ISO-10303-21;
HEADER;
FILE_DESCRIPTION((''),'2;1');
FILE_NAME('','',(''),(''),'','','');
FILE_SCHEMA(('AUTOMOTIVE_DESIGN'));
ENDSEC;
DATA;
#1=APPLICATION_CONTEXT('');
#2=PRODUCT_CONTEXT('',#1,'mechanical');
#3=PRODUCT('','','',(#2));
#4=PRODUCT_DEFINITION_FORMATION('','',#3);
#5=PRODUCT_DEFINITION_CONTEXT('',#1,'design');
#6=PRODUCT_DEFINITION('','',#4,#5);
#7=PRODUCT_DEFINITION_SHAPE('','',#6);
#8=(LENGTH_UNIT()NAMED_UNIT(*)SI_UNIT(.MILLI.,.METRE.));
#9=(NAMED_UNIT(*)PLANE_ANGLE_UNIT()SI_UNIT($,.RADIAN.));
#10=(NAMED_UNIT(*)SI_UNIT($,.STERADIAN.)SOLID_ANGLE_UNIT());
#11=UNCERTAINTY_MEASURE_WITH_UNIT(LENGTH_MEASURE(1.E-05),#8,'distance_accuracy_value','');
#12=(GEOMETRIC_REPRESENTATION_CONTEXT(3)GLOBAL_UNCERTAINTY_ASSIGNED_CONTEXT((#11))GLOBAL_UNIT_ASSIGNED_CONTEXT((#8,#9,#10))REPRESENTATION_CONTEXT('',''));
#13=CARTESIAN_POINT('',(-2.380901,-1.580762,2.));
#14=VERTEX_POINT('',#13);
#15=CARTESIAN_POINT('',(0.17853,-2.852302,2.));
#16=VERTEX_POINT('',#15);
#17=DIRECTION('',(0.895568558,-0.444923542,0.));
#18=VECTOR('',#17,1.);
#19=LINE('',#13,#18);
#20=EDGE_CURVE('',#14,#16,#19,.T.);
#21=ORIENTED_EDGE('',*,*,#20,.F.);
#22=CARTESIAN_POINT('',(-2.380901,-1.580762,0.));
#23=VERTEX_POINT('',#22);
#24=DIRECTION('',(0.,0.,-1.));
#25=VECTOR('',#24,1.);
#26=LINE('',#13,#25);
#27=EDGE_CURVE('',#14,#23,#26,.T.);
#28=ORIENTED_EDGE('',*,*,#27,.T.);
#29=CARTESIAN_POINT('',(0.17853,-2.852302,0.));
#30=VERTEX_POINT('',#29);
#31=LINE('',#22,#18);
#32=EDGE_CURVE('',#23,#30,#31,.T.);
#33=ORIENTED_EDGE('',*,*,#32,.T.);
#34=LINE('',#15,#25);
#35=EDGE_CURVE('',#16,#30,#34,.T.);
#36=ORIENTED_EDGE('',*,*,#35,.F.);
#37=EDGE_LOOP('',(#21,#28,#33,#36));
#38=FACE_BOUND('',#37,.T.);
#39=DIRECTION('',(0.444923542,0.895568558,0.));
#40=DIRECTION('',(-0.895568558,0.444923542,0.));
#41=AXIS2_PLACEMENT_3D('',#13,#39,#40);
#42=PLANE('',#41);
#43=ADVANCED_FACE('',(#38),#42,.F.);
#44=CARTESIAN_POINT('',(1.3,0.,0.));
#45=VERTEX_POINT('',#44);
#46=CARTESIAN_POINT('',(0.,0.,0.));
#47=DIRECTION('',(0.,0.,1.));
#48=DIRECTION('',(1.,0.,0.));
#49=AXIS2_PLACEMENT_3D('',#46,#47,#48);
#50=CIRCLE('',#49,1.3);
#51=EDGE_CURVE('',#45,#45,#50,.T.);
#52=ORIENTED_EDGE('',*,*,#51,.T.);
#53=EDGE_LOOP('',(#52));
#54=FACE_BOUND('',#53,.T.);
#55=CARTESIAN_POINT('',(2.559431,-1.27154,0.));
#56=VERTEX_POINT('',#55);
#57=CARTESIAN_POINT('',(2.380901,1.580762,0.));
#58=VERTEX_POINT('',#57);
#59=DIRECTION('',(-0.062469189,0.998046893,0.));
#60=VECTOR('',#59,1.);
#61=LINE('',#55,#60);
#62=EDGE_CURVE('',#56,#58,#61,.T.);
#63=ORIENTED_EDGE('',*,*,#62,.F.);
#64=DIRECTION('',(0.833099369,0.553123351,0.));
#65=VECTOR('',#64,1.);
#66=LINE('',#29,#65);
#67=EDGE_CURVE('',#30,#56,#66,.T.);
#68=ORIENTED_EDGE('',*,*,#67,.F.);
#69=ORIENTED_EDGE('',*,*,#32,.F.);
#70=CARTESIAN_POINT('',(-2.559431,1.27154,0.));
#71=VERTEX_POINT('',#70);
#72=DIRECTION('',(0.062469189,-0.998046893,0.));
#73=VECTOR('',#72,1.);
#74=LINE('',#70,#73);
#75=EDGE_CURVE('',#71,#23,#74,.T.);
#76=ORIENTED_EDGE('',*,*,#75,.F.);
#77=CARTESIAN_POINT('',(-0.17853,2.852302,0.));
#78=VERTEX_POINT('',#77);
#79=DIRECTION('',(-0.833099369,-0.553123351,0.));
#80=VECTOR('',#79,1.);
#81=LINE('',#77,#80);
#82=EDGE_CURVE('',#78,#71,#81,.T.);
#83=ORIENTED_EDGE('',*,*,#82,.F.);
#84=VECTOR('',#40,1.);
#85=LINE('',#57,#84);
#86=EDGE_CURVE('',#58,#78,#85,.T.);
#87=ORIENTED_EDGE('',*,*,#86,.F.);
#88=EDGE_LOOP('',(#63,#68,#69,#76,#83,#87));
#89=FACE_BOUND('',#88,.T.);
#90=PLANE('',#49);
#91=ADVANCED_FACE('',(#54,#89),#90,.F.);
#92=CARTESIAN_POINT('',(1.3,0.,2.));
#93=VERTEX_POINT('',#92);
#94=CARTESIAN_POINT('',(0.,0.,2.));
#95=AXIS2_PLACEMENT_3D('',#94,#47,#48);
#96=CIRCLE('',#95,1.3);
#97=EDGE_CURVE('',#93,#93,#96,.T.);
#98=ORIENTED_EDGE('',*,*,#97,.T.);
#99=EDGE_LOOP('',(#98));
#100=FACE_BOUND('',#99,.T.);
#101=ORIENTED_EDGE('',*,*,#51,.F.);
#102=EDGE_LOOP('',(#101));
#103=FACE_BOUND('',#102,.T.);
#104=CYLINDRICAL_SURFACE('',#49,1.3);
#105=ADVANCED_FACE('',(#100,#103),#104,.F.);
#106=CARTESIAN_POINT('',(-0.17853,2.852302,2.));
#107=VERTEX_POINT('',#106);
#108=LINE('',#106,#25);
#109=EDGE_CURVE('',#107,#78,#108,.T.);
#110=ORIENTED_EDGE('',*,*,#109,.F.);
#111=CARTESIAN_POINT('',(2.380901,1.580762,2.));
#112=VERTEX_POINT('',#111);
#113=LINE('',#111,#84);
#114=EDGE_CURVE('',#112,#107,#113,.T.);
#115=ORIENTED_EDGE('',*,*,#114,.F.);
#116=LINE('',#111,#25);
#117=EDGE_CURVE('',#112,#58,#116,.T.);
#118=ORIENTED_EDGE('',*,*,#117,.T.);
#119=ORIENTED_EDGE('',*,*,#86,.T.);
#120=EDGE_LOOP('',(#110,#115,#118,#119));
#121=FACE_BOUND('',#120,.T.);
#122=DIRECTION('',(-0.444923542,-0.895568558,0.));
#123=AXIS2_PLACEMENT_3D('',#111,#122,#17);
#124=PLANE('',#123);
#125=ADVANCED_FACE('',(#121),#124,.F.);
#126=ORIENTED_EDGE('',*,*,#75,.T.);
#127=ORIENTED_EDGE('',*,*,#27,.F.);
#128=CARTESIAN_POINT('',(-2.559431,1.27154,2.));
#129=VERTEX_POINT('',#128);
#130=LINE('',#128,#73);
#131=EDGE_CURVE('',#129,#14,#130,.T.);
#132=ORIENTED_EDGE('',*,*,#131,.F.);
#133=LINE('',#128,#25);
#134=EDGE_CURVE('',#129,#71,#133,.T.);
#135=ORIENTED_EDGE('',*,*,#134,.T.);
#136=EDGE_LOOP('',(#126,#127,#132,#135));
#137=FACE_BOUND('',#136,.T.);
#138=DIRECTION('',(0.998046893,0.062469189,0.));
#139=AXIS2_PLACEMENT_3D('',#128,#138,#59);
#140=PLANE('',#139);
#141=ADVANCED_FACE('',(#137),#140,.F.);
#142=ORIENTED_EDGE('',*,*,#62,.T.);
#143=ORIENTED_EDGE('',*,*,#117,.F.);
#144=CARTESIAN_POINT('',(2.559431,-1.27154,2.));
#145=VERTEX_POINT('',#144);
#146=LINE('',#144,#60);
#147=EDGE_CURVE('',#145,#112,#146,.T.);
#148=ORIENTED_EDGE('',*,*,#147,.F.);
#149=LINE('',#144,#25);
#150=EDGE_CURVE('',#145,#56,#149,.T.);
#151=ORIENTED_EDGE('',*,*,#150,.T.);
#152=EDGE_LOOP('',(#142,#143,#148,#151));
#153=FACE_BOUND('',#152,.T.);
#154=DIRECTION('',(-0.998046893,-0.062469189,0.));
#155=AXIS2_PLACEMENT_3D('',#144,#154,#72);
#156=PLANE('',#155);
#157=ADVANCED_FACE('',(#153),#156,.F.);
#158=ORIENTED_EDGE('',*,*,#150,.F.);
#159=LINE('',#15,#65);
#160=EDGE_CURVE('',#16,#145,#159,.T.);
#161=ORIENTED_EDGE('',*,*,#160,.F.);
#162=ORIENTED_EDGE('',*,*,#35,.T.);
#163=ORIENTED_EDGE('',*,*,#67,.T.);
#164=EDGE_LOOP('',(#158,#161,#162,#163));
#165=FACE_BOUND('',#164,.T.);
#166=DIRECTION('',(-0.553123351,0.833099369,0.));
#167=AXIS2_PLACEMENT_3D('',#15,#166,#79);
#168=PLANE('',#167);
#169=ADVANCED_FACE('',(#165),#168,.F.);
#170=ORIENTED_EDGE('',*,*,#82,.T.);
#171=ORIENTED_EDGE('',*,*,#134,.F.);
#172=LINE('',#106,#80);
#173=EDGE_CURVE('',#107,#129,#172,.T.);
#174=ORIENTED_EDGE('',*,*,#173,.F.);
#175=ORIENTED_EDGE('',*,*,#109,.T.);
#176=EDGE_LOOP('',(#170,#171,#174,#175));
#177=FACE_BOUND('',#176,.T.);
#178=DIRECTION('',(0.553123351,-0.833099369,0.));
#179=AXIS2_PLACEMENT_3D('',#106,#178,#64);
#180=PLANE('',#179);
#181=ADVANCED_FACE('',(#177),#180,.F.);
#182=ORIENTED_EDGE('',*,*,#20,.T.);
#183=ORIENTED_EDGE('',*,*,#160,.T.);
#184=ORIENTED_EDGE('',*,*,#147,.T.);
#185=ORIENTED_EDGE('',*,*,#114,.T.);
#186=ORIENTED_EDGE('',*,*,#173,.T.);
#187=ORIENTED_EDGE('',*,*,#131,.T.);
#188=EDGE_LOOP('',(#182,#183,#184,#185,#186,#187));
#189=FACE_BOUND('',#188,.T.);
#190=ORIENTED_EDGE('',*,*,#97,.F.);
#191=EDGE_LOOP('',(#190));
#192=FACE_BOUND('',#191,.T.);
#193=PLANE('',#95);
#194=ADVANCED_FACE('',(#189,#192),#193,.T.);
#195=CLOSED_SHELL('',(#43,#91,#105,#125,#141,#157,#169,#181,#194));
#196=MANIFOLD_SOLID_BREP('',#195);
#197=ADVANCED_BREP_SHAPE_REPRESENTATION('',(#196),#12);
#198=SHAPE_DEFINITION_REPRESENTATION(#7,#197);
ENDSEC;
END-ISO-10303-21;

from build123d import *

# Parameters (mm, degrees)
BOSS_EXTRUDE1_DEPTH = 2
SKETCH2_R           = 1.3
CUT_EXTRUDE1_DEPTH  = 5.322766903


with BuildPart() as part:
    # Sketch1 → Boss-Extrude1 (new body)
    with BuildSketch(Plane.XY):
        Polygon((-2.380901217, -1.580762283), (0.178529686, -2.852302079), (2.559430903, -1.271539796), (2.380901217, 1.580762283), (-0.178529686, 2.852302079), (-2.559430903, 1.271539796), align=None)
    extrude(amount=BOSS_EXTRUDE1_DEPTH)

    # Sketch2 → Cut-Extrude1 (cut, through all)
    with BuildSketch(Plane.XY.offset(2)):
        Circle(SKETCH2_R)
    extrude(amount=-CUT_EXTRUDE1_DEPTH, mode=Mode.SUBTRACT)


solid = part.part
